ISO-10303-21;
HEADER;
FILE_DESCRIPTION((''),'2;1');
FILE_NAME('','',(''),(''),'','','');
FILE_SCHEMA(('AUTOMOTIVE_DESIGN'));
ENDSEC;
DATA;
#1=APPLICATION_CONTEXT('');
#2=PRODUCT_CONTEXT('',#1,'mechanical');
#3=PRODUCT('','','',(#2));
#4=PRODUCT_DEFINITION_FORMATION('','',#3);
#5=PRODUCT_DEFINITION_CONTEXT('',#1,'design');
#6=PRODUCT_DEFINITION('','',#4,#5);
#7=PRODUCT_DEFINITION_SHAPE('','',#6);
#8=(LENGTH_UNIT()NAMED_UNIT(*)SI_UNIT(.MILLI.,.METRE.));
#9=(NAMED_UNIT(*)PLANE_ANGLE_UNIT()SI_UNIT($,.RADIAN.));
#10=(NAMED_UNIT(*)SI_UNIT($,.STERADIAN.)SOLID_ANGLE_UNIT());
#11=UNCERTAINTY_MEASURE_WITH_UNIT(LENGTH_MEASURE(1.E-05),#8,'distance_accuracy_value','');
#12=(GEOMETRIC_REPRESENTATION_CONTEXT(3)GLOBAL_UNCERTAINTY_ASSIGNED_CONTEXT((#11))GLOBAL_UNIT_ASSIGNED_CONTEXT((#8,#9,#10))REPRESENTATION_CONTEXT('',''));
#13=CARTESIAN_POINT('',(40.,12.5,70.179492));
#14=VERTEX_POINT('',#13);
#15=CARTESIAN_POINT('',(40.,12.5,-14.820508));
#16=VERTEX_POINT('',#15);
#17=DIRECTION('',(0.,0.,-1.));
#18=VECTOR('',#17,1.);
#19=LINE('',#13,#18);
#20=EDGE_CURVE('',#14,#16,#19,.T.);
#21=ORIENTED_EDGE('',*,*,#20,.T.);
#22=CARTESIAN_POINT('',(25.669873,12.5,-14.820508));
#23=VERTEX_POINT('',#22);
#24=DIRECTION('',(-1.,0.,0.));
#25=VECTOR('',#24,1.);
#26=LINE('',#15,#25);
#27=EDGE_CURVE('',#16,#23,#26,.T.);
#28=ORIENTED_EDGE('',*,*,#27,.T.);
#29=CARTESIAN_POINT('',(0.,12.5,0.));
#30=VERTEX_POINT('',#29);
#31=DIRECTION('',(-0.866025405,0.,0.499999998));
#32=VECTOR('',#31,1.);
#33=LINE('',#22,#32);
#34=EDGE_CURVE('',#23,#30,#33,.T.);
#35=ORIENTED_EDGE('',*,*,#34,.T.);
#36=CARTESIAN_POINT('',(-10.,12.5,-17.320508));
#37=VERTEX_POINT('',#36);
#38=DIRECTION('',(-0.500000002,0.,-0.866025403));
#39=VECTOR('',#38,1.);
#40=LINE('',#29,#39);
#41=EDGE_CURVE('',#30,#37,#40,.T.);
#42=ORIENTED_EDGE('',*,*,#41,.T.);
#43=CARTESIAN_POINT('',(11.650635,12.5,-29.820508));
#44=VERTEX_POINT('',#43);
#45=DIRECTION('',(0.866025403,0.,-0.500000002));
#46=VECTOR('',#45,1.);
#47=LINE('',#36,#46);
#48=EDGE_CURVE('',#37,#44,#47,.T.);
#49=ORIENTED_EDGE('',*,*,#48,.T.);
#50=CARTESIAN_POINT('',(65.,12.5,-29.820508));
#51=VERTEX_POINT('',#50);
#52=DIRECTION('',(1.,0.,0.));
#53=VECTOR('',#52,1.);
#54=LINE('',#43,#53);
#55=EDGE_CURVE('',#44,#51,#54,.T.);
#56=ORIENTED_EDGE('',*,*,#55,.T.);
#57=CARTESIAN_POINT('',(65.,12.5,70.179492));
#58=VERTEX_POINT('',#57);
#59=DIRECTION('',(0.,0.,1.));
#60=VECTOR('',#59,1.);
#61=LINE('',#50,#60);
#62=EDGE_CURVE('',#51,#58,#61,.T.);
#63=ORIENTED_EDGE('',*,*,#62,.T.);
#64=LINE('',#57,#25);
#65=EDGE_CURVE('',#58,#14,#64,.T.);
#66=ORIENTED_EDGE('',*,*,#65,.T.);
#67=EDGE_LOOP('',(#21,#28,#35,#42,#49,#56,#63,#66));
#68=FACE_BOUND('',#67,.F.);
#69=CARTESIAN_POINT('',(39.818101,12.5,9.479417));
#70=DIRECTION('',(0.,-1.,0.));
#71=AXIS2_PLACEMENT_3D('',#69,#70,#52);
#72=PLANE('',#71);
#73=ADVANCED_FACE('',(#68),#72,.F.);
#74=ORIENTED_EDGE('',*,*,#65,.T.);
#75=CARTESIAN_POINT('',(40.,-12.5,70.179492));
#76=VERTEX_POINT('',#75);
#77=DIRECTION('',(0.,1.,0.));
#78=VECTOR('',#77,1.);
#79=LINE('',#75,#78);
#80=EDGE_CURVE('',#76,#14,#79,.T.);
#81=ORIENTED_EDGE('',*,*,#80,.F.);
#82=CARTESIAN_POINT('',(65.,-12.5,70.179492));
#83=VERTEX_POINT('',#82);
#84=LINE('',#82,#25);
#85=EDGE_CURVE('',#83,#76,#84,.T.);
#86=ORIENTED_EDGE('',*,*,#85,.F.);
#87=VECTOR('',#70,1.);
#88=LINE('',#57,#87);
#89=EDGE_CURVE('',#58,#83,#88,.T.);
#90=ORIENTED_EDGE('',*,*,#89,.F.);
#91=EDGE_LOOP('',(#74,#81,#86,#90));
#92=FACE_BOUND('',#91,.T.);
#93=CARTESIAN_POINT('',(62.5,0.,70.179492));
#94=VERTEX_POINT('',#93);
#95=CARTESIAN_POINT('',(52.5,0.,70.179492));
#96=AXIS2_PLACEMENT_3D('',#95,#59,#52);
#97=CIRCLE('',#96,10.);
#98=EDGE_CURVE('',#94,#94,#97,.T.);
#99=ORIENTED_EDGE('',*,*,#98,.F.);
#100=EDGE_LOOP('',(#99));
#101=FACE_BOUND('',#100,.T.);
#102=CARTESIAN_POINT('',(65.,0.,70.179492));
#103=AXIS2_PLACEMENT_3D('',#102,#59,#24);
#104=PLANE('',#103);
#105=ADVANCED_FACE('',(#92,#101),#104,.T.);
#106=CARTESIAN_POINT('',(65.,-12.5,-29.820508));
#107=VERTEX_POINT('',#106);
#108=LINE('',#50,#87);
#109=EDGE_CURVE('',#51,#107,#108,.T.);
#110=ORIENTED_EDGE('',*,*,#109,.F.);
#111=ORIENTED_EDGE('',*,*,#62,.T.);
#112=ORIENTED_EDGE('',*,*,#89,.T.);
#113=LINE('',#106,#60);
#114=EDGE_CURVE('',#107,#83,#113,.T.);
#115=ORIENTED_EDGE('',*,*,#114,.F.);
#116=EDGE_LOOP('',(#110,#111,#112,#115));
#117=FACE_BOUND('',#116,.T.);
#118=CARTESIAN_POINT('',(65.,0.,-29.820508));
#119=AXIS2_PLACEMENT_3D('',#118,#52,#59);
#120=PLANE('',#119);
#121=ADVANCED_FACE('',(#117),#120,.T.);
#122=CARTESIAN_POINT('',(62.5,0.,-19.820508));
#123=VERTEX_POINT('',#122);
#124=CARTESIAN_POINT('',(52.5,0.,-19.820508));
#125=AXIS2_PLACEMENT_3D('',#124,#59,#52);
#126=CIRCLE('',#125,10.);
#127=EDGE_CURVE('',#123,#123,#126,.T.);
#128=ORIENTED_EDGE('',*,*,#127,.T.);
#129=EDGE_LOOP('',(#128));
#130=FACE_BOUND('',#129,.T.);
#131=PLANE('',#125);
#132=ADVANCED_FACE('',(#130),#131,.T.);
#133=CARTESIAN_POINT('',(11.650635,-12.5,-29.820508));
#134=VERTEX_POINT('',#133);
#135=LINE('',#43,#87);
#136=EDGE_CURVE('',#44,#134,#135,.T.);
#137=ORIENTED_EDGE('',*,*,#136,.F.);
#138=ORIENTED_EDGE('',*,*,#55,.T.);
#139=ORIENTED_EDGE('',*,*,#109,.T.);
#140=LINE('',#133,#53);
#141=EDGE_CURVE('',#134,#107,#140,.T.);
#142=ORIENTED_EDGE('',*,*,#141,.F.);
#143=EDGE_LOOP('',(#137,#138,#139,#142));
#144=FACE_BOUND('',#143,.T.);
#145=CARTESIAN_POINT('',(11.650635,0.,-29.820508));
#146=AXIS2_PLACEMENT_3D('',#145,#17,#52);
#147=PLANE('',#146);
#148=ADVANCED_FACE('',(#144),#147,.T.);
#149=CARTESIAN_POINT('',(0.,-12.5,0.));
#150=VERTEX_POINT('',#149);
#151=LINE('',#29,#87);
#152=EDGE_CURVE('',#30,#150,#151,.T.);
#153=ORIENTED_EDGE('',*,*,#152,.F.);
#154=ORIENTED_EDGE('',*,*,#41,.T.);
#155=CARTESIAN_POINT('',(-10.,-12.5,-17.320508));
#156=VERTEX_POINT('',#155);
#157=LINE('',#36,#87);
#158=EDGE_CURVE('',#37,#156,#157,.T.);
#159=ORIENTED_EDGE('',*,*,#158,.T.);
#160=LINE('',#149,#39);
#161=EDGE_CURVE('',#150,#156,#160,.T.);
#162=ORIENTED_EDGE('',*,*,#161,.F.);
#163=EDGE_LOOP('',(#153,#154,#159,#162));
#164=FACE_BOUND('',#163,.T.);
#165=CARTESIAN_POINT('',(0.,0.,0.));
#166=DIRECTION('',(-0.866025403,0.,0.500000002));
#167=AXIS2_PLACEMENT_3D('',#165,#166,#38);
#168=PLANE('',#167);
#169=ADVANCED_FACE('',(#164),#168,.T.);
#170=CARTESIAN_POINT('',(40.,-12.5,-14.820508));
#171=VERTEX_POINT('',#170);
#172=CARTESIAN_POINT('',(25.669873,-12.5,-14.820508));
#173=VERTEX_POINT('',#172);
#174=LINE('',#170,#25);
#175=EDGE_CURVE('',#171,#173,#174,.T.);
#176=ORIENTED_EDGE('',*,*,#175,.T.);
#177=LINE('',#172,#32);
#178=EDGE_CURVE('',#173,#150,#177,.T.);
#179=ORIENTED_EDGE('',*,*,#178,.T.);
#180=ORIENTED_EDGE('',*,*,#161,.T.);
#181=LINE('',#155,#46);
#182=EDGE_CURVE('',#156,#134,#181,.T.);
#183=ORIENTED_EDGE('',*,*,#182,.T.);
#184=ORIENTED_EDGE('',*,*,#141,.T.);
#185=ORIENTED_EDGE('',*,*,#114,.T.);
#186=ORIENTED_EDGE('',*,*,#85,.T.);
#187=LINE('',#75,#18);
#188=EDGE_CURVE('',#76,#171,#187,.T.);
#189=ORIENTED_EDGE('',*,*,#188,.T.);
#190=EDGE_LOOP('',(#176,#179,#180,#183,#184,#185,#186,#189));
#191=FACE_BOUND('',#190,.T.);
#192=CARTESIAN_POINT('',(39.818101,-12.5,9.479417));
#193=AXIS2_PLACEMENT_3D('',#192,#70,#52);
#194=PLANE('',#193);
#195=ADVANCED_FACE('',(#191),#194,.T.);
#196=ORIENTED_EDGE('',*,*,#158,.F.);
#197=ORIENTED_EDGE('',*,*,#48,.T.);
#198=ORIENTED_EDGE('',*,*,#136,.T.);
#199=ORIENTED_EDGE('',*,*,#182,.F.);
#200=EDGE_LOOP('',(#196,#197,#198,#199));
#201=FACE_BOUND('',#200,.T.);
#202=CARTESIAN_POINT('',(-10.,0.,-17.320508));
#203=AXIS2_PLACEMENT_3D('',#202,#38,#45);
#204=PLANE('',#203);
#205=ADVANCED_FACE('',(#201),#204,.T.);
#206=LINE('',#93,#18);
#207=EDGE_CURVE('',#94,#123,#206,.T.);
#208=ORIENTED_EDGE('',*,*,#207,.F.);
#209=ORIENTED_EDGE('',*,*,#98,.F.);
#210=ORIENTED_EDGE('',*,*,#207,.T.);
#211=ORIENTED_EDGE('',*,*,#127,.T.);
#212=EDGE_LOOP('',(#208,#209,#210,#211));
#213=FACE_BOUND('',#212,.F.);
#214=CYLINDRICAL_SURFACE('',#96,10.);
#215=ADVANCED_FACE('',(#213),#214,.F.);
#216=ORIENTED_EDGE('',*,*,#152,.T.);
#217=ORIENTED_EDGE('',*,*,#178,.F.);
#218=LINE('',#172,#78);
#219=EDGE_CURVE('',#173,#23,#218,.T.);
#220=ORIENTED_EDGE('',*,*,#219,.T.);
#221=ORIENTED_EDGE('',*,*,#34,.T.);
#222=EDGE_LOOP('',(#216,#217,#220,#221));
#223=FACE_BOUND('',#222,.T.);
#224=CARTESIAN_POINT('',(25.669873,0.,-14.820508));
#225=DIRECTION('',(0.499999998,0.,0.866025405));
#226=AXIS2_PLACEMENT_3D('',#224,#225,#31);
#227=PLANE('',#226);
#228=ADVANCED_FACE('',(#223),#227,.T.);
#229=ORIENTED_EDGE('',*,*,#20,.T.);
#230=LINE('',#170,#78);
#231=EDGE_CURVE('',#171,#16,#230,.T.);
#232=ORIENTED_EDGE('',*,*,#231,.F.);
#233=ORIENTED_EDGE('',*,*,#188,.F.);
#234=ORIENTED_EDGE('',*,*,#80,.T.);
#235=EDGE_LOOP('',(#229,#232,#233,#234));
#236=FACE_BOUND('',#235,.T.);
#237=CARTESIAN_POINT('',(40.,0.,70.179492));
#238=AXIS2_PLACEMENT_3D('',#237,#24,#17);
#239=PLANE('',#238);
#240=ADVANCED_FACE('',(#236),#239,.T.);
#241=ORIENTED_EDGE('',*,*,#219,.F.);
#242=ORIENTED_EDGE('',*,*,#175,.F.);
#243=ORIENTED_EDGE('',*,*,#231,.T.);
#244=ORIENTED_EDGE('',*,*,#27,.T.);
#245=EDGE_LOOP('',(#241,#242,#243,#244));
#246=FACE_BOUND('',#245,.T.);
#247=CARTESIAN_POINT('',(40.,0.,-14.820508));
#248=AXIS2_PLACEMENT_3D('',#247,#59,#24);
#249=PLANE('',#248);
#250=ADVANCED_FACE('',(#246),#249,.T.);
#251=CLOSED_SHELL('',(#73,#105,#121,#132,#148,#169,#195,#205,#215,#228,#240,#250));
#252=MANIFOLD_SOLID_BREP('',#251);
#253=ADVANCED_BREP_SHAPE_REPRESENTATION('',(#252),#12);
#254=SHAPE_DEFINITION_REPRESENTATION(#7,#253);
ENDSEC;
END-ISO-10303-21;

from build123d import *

# Parameters (mm, degrees)
F1_DEPTH      = 12.5
F1_DEPTH_BACK = 12.5
F2_R          = 10
F3_DEPTH      = 90


with BuildPart() as f1:
    # F0 (on Front) → F1 (new body, two sides)
    with BuildSketch(Plane.XZ) as f1_sk:
        Polygon((25.669873, -14.820508), (0, 0), (-10, -17.320508), (11.650635, -29.820508), (65, -29.820508), (65, 70.179492), (40, 70.179492), (40, -14.820508), align=None)
    extrude(amount=F1_DEPTH)
    extrude(f1_sk.sketch, amount=-F1_DEPTH_BACK)

    # F2 (on face) → F3 (cut)
    with BuildSketch(Plane.XY.offset(70.179492)):
        with Locations((52.5, 0)):
            Circle(F2_R)
    extrude(amount=-F3_DEPTH, mode=Mode.SUBTRACT)


solid = f1.part
